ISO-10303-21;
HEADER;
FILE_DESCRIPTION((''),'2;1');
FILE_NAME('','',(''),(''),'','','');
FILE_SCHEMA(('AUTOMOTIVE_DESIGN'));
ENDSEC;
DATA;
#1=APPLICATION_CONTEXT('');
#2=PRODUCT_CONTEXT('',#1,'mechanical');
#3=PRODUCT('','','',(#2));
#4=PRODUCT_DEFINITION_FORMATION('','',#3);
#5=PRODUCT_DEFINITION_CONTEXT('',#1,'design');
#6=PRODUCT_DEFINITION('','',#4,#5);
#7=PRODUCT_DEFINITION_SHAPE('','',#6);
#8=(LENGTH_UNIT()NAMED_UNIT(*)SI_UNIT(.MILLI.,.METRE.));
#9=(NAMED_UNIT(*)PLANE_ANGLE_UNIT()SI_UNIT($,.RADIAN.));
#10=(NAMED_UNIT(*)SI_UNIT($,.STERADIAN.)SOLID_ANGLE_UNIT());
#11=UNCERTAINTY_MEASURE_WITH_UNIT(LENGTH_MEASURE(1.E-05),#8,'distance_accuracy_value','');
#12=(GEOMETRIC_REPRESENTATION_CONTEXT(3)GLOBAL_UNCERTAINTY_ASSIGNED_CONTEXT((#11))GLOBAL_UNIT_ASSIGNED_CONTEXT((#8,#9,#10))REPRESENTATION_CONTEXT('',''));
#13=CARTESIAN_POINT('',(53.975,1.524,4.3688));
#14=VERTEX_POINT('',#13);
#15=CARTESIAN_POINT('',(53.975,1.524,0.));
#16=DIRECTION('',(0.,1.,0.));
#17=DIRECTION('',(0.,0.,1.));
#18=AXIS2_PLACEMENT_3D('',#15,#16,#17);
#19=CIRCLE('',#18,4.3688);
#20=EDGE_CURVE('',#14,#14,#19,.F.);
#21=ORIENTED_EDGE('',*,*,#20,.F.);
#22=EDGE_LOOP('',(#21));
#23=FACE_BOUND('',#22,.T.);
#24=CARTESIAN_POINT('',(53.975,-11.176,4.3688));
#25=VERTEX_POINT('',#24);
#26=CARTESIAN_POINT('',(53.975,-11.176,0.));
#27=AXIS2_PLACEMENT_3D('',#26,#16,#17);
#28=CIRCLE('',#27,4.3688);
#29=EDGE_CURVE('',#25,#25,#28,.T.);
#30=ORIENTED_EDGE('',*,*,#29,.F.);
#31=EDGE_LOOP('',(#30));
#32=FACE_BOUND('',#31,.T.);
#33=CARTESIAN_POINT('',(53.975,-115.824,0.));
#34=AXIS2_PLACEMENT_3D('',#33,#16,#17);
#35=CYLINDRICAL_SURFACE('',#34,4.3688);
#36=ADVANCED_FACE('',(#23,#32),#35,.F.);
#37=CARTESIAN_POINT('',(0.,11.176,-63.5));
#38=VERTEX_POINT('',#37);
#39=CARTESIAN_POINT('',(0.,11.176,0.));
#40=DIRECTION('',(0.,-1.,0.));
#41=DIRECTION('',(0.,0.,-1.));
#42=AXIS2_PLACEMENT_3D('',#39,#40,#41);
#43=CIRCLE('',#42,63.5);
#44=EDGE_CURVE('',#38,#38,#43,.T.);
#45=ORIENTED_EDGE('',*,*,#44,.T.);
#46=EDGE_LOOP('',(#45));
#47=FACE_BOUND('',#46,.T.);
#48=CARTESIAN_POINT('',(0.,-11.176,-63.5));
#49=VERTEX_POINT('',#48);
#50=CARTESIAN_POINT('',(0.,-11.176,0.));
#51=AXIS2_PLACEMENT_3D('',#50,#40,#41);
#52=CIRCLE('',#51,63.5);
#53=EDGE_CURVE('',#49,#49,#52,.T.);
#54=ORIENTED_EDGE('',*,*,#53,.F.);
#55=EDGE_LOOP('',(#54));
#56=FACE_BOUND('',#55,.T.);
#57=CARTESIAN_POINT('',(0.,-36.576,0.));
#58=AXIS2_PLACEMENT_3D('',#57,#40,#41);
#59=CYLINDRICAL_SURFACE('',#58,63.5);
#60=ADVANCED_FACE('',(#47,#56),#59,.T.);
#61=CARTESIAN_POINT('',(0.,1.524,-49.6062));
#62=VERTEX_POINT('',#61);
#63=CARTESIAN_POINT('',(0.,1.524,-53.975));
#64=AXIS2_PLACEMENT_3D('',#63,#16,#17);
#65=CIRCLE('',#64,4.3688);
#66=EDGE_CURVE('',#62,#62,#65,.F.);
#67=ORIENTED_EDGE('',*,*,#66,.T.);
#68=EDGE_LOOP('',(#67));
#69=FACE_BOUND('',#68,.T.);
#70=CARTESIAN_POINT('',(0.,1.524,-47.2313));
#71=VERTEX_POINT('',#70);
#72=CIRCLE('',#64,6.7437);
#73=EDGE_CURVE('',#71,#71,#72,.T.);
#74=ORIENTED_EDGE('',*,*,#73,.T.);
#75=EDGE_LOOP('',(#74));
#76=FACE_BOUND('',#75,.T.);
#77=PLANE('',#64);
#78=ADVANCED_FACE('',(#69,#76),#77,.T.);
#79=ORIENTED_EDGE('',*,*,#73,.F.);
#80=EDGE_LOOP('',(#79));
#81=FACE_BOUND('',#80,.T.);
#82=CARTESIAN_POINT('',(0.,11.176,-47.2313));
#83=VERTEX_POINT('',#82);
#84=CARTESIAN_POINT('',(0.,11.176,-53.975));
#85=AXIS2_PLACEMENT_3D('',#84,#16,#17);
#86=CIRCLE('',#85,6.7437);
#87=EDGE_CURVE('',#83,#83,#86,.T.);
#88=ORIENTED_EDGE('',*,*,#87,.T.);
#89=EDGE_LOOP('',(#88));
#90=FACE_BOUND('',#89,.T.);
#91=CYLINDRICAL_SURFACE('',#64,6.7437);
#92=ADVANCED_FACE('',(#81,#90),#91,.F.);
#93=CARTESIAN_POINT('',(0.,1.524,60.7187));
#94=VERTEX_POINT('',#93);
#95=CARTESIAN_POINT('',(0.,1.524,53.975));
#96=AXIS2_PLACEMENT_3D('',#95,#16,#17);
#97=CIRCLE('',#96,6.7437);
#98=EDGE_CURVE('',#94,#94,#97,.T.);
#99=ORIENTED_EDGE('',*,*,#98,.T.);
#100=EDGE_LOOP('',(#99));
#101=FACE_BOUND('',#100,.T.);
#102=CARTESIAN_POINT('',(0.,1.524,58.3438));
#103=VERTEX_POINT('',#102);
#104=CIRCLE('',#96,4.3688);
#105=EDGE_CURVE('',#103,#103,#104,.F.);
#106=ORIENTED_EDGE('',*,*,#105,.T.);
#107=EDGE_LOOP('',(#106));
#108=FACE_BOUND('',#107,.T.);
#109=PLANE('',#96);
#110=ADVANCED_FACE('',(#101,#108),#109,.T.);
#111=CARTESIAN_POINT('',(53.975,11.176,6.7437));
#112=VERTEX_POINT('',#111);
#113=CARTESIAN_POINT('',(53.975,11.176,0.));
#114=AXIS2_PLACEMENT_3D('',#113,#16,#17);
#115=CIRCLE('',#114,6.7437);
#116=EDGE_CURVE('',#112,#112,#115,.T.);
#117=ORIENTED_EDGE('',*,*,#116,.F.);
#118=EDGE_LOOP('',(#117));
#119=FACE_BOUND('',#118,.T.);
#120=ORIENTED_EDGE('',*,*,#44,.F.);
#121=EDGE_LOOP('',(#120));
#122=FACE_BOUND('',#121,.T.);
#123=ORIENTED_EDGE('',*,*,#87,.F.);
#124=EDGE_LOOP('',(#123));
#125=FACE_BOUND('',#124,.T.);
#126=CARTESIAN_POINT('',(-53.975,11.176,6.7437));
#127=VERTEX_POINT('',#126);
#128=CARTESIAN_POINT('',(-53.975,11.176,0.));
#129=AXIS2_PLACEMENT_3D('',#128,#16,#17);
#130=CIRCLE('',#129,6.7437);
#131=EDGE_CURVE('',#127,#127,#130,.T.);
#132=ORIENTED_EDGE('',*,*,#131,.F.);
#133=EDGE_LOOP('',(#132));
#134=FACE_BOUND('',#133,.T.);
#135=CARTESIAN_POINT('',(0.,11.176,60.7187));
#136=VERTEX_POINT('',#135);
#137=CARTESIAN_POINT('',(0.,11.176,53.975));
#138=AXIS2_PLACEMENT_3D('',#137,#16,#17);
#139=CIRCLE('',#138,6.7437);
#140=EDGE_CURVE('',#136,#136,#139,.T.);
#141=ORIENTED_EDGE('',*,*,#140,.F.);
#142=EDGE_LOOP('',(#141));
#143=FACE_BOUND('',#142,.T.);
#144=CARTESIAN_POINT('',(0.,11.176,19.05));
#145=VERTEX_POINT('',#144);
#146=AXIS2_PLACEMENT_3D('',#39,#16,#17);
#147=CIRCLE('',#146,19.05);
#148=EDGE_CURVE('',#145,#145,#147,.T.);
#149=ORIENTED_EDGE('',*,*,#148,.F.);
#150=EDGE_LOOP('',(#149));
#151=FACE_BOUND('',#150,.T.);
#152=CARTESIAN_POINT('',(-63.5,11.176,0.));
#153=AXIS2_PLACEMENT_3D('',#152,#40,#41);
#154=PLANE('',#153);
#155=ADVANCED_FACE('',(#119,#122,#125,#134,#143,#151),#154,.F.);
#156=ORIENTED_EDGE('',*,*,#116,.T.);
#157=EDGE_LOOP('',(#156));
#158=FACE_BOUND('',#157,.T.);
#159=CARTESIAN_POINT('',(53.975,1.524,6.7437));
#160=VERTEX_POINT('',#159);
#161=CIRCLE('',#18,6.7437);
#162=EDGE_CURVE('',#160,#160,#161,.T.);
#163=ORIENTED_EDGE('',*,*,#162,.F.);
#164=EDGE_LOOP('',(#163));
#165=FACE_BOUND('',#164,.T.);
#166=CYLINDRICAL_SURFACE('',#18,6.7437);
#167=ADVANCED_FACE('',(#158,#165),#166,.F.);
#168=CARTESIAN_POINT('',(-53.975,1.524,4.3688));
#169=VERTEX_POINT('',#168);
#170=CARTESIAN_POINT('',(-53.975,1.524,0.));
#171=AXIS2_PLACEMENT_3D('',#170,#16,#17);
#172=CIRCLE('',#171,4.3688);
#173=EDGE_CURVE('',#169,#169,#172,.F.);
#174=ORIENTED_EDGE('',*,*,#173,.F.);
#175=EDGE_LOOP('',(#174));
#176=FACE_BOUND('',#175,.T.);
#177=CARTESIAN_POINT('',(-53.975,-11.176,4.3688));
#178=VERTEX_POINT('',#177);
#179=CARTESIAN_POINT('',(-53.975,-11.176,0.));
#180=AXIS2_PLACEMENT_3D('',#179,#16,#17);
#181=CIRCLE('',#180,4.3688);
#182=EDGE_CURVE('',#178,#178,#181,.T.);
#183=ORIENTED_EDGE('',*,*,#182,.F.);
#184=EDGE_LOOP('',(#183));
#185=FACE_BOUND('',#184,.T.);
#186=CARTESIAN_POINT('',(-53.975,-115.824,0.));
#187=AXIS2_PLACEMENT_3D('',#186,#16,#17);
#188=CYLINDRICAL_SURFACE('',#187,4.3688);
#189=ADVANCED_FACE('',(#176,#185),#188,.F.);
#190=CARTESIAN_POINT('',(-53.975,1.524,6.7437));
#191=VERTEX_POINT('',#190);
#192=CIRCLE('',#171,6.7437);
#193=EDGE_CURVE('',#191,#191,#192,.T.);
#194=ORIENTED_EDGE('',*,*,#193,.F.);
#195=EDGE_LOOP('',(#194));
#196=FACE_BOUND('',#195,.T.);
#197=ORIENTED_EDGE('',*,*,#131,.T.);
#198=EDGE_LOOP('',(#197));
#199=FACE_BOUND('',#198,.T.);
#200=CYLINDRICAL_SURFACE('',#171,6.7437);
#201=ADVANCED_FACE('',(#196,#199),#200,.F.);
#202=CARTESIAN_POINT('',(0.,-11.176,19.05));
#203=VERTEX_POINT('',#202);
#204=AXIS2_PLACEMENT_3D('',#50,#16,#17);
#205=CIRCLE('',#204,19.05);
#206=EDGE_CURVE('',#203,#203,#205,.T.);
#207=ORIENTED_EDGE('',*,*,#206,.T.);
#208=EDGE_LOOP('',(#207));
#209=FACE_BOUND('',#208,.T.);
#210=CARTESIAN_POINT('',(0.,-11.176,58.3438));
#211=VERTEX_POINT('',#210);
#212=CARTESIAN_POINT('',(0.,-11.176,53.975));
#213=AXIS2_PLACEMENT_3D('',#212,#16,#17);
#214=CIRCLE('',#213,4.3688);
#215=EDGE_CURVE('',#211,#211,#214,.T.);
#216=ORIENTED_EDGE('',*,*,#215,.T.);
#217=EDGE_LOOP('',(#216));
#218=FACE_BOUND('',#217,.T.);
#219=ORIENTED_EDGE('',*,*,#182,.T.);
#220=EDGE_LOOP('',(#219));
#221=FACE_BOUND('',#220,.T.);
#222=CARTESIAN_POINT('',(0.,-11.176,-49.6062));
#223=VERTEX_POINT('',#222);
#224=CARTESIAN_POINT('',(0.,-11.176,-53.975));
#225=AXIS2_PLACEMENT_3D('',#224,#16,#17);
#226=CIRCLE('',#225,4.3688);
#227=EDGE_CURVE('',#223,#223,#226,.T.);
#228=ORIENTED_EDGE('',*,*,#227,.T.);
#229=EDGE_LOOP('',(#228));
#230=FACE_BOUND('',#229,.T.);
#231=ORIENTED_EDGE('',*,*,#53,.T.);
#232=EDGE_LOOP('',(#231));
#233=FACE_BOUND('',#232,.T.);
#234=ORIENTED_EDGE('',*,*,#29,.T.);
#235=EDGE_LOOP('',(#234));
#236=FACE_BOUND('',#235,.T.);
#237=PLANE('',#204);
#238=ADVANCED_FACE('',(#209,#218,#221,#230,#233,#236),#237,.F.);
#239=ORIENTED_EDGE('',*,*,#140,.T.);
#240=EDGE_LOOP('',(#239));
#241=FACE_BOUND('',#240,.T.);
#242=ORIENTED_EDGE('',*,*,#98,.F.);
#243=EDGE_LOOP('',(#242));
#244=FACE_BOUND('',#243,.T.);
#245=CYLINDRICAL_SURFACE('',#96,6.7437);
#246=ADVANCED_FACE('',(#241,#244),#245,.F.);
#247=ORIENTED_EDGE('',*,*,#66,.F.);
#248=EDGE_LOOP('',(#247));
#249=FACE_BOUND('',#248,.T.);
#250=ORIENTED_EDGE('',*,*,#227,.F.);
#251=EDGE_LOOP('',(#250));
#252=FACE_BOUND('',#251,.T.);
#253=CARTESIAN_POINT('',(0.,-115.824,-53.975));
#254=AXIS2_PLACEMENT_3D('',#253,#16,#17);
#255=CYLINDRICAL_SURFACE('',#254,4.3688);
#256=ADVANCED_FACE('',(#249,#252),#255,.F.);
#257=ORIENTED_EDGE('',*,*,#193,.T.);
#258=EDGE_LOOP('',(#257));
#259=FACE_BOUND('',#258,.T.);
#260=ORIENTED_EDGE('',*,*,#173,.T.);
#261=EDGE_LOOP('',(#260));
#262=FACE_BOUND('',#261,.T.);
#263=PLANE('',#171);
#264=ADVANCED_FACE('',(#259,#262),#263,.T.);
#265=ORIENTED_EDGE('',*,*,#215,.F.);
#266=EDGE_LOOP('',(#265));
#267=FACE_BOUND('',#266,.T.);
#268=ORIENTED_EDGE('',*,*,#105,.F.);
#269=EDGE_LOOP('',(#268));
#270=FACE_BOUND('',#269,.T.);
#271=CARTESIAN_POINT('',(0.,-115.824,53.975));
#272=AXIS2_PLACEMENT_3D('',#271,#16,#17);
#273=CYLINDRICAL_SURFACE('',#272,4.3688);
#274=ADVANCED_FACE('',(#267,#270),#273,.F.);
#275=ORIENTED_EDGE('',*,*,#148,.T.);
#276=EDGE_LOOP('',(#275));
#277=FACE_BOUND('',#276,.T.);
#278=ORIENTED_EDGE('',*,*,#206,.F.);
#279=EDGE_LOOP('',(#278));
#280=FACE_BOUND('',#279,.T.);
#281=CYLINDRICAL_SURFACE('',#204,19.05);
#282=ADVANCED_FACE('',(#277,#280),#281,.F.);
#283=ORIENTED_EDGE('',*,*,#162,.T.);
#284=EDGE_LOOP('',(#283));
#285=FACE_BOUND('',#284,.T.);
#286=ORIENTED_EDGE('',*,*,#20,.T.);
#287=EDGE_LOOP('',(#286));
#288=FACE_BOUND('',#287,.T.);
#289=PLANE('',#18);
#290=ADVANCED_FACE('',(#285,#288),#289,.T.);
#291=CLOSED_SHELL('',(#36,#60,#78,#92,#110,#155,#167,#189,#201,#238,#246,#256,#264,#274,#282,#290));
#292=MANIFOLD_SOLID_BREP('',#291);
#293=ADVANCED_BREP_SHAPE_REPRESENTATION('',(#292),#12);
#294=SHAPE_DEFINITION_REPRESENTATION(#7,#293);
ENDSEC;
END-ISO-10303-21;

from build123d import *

# Parameters (mm, degrees)
SKETCH1_W           = 22.352
SKETCH1_H           = 63.5
CUT_EXTRUDE2_START  = 11.176
SKETCH2_R           = 19.05
CUT_EXTRUDE2_DEPTH  = 102.671320188
CUT_EXTRUDE4_START  = 11.176
SKETCH3_R           = 4.3688
CUT_EXTRUDE4_DEPTH  = 127
CUT_EXTRUDE6_START  = 11.176
SKETCH4_R           = 6.7437
CUT_EXTRUDE6_DEPTH  = 9.652
CUT_EXTRUDE8_START  = 11.176
SKETCH5_R           = 4.3688
CUT_EXTRUDE8_DEPTH  = 127
CUT_EXTRUDE10_START = 11.176
SKETCH6_R           = 6.7437
CUT_EXTRUDE10_DEPTH = 9.652


with BuildPart() as part:
    # Sketch1 → Revolve1 (revolve)
    with BuildSketch(Plane(origin=(0, 0, 0), x_dir=(0, 1, 0), z_dir=(0, 0, 1)), mode=Mode.PRIVATE) as revolve1_sk:
        with Locations((0, 31.75)):
            Rectangle(SKETCH1_W, SKETCH1_H)
    revolve(revolve1_sk.sketch.rotate(Axis((0, -36.576, 0), (0, 1, 0)), 270), axis=Axis((0, -36.576, 0), (0, 1, 0)))

    # Sketch2 → Cut-Extrude2 (cut, through all)
    with BuildSketch(Plane(origin=(0, 0, 0), x_dir=(-1, 0, 0), z_dir=(0, 1, 0)).offset(CUT_EXTRUDE2_START)):
        with Locations(Location((0, 0, 0), (0, 0, 90))):
            Circle(SKETCH2_R)
    extrude(amount=-CUT_EXTRUDE2_DEPTH, mode=Mode.SUBTRACT)

    # Sketch3 → Cut-Extrude4 (cut)
    with BuildSketch(Plane(origin=(0, 0, 0), x_dir=(-1, 0, 0), z_dir=(0, 1, 0)).offset(CUT_EXTRUDE4_START)):
        with Locations(Location((53.975, 0, 0), (0, 0, 90))):
            Circle(SKETCH3_R)
    extrude(amount=-CUT_EXTRUDE4_DEPTH, mode=Mode.SUBTRACT)

    # Sketch4 → Cut-Extrude6 (cut)
    with BuildSketch(Plane(origin=(0, 0, 0), x_dir=(-1, 0, 0), z_dir=(0, 1, 0)).offset(CUT_EXTRUDE6_START)):
        with Locations(Location((53.975, 0, 0), (0, 0, 90))):
            Circle(SKETCH4_R)
    extrude(amount=-CUT_EXTRUDE6_DEPTH, mode=Mode.SUBTRACT)

    # Sketch5 → Cut-Extrude8 (cut)
    with BuildSketch(Plane(origin=(0, 0, 0), x_dir=(-1, 0, 0), z_dir=(0, 1, 0)).offset(CUT_EXTRUDE8_START)):
        with Locations(Location((0, 53.975, 0), (0, 0, 90))):
            Circle(SKETCH5_R)
        with Locations(Location((-53.975, 0, 0), (0, 0, 90))):
            Circle(SKETCH5_R)
        with Locations(Location((0, -53.975, 0), (0, 0, 90))):
            Circle(SKETCH5_R)
    extrude(amount=-CUT_EXTRUDE8_DEPTH, mode=Mode.SUBTRACT)

    # Sketch6 → Cut-Extrude10 (cut)
    with BuildSketch(Plane(origin=(0, 0, 0), x_dir=(-1, 0, 0), z_dir=(0, 1, 0)).offset(CUT_EXTRUDE10_START)):
        with Locations(Location((0, 53.975, 0), (0, 0, 90))):
            Circle(SKETCH6_R)
        with Locations(Location((-53.975, 0, 0), (0, 0, 90))):
            Circle(SKETCH6_R)
        with Locations(Location((0, -53.975, 0), (0, 0, 90))):
            Circle(SKETCH6_R)
    extrude(amount=-CUT_EXTRUDE10_DEPTH, mode=Mode.SUBTRACT)


solid = part.part
